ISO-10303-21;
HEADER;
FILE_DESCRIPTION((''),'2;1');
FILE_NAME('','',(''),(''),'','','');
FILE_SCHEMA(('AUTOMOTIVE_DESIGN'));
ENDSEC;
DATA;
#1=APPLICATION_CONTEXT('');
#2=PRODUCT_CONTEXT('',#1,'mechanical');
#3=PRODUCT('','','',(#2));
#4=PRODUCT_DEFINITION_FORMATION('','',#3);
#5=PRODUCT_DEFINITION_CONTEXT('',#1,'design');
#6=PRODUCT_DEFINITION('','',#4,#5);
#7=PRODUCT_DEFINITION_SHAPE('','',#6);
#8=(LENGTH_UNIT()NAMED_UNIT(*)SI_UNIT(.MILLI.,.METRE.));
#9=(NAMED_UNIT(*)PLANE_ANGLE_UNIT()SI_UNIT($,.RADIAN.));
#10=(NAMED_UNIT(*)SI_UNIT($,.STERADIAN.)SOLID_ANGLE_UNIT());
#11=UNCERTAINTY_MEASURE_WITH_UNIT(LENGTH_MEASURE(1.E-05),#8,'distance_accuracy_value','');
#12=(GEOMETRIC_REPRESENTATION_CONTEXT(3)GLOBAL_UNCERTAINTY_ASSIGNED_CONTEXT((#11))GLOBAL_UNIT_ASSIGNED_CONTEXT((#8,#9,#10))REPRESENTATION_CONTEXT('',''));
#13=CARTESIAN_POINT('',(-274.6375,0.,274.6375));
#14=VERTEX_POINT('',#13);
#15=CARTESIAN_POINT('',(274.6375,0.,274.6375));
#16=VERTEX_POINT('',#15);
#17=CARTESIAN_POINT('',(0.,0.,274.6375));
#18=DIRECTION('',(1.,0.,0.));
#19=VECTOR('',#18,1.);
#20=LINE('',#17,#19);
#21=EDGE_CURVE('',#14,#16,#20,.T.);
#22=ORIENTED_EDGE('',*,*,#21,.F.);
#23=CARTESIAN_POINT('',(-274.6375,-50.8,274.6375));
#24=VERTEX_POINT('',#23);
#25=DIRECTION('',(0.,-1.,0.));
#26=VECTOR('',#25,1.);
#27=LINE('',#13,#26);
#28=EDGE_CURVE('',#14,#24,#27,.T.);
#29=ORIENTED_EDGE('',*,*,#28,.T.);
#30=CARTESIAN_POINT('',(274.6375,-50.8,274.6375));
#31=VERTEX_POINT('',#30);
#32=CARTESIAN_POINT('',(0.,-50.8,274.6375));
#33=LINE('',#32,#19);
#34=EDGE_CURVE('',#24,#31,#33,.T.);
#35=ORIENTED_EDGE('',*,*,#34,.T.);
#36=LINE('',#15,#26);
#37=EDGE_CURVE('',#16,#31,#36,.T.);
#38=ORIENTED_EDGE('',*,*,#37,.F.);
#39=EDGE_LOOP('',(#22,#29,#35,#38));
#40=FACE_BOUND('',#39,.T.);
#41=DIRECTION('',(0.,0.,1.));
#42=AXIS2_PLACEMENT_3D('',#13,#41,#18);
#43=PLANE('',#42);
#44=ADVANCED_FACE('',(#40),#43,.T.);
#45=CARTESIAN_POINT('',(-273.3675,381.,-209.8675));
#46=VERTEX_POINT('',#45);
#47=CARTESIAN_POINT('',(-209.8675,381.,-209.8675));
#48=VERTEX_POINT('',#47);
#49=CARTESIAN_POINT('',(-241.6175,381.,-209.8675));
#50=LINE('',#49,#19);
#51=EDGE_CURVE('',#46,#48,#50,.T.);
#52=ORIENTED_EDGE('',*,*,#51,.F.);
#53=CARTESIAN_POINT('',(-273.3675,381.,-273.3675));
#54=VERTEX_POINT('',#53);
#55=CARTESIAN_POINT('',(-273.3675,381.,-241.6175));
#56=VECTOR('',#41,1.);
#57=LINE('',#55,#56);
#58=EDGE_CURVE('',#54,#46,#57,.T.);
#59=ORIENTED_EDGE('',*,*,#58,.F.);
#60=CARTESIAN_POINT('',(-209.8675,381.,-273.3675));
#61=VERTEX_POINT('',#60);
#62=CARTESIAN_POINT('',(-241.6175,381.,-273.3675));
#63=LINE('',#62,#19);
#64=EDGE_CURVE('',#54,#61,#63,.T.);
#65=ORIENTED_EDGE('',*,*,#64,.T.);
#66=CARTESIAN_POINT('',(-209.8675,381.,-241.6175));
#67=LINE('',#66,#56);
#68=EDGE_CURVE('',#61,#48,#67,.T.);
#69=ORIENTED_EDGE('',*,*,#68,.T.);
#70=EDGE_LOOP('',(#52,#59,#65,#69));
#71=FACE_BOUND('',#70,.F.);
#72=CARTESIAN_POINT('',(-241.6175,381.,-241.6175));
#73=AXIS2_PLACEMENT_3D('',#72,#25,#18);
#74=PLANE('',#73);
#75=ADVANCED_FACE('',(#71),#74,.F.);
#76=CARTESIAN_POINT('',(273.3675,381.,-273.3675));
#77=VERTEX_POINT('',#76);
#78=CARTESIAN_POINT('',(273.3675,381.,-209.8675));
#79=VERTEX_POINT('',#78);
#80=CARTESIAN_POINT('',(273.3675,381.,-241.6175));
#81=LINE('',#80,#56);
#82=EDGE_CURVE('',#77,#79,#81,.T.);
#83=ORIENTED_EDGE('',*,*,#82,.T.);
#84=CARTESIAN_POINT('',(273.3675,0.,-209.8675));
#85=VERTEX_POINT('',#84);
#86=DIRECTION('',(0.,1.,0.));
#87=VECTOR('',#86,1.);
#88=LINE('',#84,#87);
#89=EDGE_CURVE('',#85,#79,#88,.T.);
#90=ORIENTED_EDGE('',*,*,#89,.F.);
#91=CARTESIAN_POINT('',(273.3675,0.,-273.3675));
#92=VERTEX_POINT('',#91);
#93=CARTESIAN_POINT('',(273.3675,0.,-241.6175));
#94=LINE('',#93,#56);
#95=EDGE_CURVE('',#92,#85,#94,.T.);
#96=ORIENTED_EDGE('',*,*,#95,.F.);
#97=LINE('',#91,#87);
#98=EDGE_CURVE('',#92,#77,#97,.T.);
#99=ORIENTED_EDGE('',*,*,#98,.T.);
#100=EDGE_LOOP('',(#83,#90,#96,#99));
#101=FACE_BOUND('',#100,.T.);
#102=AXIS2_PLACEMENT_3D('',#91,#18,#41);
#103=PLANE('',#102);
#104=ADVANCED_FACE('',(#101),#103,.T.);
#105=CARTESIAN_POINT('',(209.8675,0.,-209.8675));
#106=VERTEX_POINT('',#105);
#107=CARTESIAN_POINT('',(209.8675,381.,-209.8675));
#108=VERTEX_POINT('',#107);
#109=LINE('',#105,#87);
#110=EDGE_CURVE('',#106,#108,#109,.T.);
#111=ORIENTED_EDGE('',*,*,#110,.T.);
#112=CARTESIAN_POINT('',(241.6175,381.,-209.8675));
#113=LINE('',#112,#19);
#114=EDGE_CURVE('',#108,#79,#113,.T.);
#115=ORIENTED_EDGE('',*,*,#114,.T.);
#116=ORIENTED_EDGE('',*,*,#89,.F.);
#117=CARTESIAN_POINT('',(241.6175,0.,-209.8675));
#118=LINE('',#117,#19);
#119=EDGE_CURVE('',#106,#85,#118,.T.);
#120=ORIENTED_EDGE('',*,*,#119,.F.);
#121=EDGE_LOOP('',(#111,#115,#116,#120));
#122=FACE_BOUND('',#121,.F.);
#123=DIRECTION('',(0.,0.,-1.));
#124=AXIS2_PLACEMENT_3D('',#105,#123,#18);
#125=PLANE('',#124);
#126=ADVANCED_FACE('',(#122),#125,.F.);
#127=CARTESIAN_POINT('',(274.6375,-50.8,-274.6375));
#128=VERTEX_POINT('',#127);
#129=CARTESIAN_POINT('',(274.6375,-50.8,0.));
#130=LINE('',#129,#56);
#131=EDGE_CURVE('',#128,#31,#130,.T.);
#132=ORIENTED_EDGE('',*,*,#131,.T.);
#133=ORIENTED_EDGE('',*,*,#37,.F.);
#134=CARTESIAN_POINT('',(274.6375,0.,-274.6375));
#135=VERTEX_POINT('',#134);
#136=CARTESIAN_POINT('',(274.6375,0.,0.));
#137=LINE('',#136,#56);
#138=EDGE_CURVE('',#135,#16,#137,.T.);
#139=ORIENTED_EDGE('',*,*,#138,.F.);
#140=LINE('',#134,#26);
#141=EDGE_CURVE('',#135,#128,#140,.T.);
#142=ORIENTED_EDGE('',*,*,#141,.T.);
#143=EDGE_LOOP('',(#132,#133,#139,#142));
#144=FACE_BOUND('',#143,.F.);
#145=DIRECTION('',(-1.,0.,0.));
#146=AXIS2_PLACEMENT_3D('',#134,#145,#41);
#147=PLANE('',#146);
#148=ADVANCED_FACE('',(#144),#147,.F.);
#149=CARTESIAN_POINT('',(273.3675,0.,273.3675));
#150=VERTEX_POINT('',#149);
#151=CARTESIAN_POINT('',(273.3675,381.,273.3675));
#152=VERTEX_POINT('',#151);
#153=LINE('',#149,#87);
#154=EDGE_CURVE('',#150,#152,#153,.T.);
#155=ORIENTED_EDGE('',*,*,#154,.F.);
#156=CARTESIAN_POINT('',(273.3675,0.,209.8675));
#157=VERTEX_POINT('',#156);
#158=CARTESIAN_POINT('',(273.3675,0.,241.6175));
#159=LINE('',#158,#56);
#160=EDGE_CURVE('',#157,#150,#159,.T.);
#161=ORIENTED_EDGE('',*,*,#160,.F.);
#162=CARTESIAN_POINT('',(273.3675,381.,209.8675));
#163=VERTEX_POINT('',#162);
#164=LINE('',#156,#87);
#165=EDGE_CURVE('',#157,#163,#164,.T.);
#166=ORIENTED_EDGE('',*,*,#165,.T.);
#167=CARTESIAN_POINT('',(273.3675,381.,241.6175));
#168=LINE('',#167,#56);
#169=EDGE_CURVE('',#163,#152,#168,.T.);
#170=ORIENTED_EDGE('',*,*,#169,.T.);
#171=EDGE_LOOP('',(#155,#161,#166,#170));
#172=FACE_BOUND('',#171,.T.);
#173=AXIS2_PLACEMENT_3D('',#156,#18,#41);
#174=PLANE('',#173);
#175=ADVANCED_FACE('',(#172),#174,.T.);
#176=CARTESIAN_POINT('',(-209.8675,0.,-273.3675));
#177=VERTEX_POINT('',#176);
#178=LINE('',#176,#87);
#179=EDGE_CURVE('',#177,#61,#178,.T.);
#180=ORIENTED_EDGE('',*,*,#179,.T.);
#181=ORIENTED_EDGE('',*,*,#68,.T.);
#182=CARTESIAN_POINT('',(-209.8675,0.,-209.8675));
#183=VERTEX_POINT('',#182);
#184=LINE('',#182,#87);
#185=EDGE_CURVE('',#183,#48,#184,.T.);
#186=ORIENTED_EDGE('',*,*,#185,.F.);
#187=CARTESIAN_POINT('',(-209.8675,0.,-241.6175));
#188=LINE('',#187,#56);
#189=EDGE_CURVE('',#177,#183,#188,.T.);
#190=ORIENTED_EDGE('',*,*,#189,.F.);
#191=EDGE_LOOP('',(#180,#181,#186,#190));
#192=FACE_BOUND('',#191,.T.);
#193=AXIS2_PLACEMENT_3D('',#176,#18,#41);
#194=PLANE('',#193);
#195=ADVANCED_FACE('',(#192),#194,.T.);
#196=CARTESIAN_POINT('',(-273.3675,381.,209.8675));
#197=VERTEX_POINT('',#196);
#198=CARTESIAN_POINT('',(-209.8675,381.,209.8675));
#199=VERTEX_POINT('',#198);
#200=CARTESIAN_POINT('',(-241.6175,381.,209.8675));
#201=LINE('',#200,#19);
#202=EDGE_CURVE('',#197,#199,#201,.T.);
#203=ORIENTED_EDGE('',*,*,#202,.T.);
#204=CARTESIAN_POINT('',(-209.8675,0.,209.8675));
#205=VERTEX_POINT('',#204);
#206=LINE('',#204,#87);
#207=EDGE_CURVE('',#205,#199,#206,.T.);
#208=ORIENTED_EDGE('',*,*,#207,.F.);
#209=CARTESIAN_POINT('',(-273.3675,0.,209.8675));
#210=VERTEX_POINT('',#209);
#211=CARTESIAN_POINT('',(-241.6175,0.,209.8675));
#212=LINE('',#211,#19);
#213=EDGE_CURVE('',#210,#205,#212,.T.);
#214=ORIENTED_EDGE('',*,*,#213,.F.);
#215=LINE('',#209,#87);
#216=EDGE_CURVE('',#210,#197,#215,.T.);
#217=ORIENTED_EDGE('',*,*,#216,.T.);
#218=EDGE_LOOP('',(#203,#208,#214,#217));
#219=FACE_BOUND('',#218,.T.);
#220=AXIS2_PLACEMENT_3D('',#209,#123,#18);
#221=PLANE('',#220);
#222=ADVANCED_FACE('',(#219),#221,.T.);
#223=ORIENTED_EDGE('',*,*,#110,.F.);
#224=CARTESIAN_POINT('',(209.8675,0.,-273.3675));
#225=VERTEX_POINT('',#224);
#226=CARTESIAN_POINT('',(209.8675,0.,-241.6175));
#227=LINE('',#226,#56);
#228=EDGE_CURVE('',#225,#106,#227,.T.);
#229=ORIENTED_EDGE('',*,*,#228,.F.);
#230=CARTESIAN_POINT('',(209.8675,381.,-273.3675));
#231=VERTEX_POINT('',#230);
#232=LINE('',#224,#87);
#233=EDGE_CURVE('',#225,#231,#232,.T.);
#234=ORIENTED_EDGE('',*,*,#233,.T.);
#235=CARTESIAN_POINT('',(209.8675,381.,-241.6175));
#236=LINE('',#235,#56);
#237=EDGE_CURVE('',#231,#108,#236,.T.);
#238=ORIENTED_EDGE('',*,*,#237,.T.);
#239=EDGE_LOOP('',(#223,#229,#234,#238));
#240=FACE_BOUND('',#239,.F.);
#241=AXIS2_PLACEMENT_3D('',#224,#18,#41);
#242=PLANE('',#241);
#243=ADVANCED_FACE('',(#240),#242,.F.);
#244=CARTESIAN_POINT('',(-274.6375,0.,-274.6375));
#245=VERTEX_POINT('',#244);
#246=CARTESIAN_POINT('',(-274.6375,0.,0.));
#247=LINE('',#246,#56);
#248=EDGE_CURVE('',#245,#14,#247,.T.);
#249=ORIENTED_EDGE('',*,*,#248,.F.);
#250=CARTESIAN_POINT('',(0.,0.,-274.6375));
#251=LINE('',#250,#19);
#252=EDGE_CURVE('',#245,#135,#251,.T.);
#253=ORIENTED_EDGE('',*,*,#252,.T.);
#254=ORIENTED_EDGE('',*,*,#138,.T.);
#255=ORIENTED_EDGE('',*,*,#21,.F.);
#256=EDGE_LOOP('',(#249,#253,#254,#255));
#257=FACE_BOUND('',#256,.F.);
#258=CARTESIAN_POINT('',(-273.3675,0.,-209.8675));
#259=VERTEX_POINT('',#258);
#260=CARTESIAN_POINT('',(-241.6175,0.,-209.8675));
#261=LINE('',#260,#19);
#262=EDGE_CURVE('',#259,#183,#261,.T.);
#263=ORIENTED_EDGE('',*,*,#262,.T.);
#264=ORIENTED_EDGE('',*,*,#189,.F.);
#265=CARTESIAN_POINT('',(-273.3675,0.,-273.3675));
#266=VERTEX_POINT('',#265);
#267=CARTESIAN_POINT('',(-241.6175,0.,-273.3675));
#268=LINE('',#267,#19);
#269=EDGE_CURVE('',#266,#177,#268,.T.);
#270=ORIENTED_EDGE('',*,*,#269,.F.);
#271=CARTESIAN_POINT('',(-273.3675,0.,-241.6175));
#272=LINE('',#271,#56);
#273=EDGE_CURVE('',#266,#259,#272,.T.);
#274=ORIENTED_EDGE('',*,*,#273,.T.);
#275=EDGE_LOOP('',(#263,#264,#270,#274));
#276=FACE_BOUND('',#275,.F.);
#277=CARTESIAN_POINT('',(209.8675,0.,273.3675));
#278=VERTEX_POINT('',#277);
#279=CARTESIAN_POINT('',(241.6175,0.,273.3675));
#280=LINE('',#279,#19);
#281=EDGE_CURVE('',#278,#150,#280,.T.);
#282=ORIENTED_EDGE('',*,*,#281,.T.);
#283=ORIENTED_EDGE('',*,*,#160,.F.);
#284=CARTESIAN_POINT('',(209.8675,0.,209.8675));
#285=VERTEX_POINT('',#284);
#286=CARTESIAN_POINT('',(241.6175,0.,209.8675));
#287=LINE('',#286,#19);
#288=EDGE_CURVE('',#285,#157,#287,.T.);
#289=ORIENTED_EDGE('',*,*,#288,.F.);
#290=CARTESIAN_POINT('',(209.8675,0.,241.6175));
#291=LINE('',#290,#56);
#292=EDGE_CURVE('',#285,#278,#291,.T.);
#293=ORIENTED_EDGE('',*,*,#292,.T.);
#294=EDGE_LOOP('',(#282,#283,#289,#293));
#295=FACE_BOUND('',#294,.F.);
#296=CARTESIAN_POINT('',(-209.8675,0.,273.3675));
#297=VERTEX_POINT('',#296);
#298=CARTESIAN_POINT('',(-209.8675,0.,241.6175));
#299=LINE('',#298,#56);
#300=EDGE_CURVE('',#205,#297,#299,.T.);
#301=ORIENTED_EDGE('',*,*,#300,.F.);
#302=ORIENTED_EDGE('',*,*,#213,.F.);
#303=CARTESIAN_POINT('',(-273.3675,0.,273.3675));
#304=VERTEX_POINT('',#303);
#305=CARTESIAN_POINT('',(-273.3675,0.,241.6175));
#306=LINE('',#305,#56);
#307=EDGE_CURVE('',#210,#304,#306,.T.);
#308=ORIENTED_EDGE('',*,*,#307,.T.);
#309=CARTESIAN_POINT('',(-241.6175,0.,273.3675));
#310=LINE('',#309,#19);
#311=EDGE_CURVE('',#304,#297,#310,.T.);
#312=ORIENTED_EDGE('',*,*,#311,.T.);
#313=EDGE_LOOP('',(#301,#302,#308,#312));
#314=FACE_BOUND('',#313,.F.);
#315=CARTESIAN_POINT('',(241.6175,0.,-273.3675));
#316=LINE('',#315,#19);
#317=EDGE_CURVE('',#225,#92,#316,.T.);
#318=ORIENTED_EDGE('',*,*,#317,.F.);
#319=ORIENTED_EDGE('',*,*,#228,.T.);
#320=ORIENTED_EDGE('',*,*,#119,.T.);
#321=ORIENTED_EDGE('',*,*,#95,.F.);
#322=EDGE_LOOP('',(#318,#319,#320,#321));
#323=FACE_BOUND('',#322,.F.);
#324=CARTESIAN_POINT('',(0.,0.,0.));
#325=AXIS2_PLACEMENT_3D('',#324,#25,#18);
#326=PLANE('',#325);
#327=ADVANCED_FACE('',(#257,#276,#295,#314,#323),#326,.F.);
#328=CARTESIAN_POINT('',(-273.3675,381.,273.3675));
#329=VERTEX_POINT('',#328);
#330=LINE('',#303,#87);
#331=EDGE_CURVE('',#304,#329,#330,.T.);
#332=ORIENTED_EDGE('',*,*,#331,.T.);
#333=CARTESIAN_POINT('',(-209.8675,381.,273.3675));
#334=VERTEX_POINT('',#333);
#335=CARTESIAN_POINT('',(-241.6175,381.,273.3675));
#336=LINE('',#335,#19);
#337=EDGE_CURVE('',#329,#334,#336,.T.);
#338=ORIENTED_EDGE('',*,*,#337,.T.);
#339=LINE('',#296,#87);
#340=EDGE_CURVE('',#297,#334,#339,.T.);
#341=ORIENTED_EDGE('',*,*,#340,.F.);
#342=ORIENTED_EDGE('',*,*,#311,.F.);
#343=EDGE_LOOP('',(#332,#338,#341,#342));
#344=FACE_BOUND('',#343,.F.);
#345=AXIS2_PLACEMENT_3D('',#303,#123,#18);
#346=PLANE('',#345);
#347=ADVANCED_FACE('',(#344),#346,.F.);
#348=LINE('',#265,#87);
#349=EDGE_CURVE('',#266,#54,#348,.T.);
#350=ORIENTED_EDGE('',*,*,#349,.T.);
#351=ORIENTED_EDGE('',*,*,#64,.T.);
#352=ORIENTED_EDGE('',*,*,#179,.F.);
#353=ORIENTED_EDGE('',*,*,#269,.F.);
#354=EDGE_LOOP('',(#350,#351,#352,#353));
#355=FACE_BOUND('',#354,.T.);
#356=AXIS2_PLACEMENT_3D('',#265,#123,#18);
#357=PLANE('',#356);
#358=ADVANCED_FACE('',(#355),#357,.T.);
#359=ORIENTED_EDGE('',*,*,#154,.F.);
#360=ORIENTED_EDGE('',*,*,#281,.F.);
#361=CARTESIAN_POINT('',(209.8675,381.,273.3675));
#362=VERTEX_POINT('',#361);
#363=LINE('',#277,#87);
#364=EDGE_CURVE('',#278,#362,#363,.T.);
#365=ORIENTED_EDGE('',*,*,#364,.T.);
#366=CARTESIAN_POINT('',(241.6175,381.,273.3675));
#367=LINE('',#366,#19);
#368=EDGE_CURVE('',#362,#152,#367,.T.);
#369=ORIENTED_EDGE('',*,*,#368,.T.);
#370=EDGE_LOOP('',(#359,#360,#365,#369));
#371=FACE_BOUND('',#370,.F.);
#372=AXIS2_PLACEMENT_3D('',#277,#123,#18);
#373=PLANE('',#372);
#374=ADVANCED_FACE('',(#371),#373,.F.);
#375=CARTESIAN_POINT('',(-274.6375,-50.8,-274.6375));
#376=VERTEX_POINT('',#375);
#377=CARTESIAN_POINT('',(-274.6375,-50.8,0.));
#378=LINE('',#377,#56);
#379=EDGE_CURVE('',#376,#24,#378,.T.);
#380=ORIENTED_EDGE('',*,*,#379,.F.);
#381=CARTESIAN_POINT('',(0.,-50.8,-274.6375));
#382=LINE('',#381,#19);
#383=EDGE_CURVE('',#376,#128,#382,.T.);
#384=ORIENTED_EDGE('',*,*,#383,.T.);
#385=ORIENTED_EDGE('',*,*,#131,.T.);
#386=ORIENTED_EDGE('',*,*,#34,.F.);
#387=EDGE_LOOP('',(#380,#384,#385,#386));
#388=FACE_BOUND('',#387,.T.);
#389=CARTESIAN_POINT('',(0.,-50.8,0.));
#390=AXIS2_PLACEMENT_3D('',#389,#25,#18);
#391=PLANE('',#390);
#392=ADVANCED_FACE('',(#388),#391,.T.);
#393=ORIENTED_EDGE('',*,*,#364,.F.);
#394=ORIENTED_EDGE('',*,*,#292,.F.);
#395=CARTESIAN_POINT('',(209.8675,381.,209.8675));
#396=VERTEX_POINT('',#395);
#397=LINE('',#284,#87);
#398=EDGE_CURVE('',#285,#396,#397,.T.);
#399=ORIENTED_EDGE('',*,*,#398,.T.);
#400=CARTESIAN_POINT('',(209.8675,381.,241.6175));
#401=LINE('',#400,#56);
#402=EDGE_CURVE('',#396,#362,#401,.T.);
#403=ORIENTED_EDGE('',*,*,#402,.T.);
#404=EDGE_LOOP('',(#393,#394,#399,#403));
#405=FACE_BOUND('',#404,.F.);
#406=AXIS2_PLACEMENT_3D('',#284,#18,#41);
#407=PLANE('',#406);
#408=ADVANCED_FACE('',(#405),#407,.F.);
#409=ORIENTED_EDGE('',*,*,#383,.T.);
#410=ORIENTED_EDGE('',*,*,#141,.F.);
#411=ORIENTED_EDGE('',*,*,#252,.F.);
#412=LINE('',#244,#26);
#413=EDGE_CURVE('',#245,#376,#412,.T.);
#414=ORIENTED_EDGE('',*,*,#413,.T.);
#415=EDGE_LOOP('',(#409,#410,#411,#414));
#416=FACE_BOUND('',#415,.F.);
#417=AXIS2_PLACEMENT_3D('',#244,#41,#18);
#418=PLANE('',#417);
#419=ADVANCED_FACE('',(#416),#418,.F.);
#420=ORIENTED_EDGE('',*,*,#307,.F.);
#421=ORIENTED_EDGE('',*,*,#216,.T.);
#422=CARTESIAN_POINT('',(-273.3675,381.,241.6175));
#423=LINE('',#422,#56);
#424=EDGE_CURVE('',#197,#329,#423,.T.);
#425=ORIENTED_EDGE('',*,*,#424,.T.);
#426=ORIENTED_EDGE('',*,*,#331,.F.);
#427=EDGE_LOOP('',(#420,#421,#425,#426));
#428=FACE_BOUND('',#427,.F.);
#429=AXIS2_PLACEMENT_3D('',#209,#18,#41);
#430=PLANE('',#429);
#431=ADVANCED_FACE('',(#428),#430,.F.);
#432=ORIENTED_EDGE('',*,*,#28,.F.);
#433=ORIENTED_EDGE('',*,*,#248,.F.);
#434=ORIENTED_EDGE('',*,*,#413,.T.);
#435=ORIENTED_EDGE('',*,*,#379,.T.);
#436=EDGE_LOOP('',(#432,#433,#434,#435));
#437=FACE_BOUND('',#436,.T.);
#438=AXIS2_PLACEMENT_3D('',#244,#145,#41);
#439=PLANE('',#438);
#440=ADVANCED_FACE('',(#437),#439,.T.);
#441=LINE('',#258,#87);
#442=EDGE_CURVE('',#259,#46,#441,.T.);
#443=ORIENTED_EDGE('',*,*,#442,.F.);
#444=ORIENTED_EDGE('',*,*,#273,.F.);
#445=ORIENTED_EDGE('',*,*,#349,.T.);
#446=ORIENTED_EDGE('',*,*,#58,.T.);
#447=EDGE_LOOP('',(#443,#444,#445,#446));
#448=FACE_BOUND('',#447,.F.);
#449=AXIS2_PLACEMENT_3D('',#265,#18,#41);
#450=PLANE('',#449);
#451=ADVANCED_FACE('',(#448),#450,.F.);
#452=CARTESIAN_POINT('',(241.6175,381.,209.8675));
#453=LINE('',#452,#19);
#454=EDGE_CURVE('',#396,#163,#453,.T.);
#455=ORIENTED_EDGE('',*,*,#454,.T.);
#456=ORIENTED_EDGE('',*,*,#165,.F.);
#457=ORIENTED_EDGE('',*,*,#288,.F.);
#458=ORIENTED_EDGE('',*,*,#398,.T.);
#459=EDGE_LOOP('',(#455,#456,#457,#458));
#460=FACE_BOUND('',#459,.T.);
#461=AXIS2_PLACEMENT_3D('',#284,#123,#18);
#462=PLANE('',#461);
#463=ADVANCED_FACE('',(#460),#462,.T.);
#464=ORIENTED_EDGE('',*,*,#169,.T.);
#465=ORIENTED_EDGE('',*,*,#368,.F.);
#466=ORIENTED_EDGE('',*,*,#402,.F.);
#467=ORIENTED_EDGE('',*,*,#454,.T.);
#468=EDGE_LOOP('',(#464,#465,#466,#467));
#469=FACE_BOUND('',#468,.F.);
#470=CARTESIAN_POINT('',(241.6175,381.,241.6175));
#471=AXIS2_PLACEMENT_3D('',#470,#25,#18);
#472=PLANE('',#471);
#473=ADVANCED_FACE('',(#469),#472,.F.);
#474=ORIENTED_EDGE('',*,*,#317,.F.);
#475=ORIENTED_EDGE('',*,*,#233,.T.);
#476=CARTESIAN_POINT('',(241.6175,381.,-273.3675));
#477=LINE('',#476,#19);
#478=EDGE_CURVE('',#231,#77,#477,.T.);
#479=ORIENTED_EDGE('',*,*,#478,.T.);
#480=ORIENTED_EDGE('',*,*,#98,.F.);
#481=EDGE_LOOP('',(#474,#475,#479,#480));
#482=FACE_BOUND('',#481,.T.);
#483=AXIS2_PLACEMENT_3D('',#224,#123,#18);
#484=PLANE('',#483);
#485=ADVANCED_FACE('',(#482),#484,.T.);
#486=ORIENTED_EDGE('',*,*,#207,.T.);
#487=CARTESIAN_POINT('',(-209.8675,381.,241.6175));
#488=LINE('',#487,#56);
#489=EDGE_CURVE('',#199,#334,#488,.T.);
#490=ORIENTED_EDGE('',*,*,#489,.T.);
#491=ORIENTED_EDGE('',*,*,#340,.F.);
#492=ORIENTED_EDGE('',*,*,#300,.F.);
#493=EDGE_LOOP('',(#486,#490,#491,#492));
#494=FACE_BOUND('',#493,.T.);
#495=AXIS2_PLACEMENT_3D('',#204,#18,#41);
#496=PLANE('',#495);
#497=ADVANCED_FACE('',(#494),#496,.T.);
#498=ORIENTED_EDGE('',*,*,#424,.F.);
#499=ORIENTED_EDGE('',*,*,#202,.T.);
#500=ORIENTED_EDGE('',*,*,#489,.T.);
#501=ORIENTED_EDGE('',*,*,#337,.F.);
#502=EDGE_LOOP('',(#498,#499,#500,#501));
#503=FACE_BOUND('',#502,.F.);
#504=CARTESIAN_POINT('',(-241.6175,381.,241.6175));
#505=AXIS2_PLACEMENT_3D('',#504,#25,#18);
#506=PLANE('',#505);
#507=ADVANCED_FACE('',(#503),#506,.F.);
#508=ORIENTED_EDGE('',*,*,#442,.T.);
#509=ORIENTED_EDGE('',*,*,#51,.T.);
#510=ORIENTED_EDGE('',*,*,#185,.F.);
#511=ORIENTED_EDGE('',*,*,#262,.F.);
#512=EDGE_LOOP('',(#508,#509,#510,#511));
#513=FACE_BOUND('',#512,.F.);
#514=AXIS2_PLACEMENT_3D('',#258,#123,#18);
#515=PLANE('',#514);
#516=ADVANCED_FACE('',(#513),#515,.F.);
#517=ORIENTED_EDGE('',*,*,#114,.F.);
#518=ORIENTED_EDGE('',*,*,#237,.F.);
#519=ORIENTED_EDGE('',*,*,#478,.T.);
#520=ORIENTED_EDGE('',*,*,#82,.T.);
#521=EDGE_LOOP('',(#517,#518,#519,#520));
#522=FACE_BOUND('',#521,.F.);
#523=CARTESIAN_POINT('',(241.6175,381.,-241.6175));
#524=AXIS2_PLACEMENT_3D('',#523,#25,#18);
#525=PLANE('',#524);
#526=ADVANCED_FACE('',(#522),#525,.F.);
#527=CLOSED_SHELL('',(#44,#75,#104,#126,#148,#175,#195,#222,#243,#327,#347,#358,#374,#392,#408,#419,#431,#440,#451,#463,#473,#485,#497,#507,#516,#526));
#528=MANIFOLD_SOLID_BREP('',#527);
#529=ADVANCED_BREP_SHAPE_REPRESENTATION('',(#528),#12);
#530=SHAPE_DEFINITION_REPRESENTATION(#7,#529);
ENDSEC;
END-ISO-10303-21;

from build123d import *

# Parameters (mm, degrees)
F0_W     = 549.275
F0_H     = 549.275
F0_W_2   = 63.5
F0_H_2   = 63.5
F1_DEPTH = 50.8
F2_DEPTH = 381


with BuildPart() as f1:
    # F0 (on Front) → F1 (new body)
    with BuildSketch(Plane.XZ):
        Rectangle(F0_W, F0_H)
        with Locations((-241.6175, -241.6175)):
            Rectangle(F0_W_2, F0_H_2, mode=Mode.SUBTRACT)
        with Locations((241.6175, -241.6175)):
            Rectangle(F0_W_2, F0_H_2, mode=Mode.SUBTRACT)
        with Locations((-241.6175, 241.6175)):
            Rectangle(F0_W_2, F0_H_2, mode=Mode.SUBTRACT)
        with Locations((241.6175, 241.6175)):
            Rectangle(F0_W_2, F0_H_2, mode=Mode.SUBTRACT)
        with Locations((241.6175, 241.6175)):
            Rectangle(F0_W_2, F0_H_2)
        with Locations((-241.6175, 241.6175)):
            Rectangle(F0_W_2, F0_H_2)
        with Locations((-241.6175, -241.6175)):
            Rectangle(F0_W_2, F0_H_2)
        with Locations((241.6175, -241.6175)):
            Rectangle(F0_W_2, F0_H_2)
    extrude(amount=F1_DEPTH)

    # F0 (on Front) → F2 (join)
    with BuildSketch(Plane.XZ):
        with Locations((-241.6175, 241.6175)):
            Rectangle(F0_W_2, F0_H_2)
        with Locations((241.6175, 241.6175)):
            Rectangle(F0_W_2, F0_H_2)
        with Locations((241.6175, -241.6175)):
            Rectangle(F0_W_2, F0_H_2)
        with Locations((-241.6175, -241.6175)):
            Rectangle(F0_W_2, F0_H_2)
    extrude(amount=-F2_DEPTH)


solid = f1.part
